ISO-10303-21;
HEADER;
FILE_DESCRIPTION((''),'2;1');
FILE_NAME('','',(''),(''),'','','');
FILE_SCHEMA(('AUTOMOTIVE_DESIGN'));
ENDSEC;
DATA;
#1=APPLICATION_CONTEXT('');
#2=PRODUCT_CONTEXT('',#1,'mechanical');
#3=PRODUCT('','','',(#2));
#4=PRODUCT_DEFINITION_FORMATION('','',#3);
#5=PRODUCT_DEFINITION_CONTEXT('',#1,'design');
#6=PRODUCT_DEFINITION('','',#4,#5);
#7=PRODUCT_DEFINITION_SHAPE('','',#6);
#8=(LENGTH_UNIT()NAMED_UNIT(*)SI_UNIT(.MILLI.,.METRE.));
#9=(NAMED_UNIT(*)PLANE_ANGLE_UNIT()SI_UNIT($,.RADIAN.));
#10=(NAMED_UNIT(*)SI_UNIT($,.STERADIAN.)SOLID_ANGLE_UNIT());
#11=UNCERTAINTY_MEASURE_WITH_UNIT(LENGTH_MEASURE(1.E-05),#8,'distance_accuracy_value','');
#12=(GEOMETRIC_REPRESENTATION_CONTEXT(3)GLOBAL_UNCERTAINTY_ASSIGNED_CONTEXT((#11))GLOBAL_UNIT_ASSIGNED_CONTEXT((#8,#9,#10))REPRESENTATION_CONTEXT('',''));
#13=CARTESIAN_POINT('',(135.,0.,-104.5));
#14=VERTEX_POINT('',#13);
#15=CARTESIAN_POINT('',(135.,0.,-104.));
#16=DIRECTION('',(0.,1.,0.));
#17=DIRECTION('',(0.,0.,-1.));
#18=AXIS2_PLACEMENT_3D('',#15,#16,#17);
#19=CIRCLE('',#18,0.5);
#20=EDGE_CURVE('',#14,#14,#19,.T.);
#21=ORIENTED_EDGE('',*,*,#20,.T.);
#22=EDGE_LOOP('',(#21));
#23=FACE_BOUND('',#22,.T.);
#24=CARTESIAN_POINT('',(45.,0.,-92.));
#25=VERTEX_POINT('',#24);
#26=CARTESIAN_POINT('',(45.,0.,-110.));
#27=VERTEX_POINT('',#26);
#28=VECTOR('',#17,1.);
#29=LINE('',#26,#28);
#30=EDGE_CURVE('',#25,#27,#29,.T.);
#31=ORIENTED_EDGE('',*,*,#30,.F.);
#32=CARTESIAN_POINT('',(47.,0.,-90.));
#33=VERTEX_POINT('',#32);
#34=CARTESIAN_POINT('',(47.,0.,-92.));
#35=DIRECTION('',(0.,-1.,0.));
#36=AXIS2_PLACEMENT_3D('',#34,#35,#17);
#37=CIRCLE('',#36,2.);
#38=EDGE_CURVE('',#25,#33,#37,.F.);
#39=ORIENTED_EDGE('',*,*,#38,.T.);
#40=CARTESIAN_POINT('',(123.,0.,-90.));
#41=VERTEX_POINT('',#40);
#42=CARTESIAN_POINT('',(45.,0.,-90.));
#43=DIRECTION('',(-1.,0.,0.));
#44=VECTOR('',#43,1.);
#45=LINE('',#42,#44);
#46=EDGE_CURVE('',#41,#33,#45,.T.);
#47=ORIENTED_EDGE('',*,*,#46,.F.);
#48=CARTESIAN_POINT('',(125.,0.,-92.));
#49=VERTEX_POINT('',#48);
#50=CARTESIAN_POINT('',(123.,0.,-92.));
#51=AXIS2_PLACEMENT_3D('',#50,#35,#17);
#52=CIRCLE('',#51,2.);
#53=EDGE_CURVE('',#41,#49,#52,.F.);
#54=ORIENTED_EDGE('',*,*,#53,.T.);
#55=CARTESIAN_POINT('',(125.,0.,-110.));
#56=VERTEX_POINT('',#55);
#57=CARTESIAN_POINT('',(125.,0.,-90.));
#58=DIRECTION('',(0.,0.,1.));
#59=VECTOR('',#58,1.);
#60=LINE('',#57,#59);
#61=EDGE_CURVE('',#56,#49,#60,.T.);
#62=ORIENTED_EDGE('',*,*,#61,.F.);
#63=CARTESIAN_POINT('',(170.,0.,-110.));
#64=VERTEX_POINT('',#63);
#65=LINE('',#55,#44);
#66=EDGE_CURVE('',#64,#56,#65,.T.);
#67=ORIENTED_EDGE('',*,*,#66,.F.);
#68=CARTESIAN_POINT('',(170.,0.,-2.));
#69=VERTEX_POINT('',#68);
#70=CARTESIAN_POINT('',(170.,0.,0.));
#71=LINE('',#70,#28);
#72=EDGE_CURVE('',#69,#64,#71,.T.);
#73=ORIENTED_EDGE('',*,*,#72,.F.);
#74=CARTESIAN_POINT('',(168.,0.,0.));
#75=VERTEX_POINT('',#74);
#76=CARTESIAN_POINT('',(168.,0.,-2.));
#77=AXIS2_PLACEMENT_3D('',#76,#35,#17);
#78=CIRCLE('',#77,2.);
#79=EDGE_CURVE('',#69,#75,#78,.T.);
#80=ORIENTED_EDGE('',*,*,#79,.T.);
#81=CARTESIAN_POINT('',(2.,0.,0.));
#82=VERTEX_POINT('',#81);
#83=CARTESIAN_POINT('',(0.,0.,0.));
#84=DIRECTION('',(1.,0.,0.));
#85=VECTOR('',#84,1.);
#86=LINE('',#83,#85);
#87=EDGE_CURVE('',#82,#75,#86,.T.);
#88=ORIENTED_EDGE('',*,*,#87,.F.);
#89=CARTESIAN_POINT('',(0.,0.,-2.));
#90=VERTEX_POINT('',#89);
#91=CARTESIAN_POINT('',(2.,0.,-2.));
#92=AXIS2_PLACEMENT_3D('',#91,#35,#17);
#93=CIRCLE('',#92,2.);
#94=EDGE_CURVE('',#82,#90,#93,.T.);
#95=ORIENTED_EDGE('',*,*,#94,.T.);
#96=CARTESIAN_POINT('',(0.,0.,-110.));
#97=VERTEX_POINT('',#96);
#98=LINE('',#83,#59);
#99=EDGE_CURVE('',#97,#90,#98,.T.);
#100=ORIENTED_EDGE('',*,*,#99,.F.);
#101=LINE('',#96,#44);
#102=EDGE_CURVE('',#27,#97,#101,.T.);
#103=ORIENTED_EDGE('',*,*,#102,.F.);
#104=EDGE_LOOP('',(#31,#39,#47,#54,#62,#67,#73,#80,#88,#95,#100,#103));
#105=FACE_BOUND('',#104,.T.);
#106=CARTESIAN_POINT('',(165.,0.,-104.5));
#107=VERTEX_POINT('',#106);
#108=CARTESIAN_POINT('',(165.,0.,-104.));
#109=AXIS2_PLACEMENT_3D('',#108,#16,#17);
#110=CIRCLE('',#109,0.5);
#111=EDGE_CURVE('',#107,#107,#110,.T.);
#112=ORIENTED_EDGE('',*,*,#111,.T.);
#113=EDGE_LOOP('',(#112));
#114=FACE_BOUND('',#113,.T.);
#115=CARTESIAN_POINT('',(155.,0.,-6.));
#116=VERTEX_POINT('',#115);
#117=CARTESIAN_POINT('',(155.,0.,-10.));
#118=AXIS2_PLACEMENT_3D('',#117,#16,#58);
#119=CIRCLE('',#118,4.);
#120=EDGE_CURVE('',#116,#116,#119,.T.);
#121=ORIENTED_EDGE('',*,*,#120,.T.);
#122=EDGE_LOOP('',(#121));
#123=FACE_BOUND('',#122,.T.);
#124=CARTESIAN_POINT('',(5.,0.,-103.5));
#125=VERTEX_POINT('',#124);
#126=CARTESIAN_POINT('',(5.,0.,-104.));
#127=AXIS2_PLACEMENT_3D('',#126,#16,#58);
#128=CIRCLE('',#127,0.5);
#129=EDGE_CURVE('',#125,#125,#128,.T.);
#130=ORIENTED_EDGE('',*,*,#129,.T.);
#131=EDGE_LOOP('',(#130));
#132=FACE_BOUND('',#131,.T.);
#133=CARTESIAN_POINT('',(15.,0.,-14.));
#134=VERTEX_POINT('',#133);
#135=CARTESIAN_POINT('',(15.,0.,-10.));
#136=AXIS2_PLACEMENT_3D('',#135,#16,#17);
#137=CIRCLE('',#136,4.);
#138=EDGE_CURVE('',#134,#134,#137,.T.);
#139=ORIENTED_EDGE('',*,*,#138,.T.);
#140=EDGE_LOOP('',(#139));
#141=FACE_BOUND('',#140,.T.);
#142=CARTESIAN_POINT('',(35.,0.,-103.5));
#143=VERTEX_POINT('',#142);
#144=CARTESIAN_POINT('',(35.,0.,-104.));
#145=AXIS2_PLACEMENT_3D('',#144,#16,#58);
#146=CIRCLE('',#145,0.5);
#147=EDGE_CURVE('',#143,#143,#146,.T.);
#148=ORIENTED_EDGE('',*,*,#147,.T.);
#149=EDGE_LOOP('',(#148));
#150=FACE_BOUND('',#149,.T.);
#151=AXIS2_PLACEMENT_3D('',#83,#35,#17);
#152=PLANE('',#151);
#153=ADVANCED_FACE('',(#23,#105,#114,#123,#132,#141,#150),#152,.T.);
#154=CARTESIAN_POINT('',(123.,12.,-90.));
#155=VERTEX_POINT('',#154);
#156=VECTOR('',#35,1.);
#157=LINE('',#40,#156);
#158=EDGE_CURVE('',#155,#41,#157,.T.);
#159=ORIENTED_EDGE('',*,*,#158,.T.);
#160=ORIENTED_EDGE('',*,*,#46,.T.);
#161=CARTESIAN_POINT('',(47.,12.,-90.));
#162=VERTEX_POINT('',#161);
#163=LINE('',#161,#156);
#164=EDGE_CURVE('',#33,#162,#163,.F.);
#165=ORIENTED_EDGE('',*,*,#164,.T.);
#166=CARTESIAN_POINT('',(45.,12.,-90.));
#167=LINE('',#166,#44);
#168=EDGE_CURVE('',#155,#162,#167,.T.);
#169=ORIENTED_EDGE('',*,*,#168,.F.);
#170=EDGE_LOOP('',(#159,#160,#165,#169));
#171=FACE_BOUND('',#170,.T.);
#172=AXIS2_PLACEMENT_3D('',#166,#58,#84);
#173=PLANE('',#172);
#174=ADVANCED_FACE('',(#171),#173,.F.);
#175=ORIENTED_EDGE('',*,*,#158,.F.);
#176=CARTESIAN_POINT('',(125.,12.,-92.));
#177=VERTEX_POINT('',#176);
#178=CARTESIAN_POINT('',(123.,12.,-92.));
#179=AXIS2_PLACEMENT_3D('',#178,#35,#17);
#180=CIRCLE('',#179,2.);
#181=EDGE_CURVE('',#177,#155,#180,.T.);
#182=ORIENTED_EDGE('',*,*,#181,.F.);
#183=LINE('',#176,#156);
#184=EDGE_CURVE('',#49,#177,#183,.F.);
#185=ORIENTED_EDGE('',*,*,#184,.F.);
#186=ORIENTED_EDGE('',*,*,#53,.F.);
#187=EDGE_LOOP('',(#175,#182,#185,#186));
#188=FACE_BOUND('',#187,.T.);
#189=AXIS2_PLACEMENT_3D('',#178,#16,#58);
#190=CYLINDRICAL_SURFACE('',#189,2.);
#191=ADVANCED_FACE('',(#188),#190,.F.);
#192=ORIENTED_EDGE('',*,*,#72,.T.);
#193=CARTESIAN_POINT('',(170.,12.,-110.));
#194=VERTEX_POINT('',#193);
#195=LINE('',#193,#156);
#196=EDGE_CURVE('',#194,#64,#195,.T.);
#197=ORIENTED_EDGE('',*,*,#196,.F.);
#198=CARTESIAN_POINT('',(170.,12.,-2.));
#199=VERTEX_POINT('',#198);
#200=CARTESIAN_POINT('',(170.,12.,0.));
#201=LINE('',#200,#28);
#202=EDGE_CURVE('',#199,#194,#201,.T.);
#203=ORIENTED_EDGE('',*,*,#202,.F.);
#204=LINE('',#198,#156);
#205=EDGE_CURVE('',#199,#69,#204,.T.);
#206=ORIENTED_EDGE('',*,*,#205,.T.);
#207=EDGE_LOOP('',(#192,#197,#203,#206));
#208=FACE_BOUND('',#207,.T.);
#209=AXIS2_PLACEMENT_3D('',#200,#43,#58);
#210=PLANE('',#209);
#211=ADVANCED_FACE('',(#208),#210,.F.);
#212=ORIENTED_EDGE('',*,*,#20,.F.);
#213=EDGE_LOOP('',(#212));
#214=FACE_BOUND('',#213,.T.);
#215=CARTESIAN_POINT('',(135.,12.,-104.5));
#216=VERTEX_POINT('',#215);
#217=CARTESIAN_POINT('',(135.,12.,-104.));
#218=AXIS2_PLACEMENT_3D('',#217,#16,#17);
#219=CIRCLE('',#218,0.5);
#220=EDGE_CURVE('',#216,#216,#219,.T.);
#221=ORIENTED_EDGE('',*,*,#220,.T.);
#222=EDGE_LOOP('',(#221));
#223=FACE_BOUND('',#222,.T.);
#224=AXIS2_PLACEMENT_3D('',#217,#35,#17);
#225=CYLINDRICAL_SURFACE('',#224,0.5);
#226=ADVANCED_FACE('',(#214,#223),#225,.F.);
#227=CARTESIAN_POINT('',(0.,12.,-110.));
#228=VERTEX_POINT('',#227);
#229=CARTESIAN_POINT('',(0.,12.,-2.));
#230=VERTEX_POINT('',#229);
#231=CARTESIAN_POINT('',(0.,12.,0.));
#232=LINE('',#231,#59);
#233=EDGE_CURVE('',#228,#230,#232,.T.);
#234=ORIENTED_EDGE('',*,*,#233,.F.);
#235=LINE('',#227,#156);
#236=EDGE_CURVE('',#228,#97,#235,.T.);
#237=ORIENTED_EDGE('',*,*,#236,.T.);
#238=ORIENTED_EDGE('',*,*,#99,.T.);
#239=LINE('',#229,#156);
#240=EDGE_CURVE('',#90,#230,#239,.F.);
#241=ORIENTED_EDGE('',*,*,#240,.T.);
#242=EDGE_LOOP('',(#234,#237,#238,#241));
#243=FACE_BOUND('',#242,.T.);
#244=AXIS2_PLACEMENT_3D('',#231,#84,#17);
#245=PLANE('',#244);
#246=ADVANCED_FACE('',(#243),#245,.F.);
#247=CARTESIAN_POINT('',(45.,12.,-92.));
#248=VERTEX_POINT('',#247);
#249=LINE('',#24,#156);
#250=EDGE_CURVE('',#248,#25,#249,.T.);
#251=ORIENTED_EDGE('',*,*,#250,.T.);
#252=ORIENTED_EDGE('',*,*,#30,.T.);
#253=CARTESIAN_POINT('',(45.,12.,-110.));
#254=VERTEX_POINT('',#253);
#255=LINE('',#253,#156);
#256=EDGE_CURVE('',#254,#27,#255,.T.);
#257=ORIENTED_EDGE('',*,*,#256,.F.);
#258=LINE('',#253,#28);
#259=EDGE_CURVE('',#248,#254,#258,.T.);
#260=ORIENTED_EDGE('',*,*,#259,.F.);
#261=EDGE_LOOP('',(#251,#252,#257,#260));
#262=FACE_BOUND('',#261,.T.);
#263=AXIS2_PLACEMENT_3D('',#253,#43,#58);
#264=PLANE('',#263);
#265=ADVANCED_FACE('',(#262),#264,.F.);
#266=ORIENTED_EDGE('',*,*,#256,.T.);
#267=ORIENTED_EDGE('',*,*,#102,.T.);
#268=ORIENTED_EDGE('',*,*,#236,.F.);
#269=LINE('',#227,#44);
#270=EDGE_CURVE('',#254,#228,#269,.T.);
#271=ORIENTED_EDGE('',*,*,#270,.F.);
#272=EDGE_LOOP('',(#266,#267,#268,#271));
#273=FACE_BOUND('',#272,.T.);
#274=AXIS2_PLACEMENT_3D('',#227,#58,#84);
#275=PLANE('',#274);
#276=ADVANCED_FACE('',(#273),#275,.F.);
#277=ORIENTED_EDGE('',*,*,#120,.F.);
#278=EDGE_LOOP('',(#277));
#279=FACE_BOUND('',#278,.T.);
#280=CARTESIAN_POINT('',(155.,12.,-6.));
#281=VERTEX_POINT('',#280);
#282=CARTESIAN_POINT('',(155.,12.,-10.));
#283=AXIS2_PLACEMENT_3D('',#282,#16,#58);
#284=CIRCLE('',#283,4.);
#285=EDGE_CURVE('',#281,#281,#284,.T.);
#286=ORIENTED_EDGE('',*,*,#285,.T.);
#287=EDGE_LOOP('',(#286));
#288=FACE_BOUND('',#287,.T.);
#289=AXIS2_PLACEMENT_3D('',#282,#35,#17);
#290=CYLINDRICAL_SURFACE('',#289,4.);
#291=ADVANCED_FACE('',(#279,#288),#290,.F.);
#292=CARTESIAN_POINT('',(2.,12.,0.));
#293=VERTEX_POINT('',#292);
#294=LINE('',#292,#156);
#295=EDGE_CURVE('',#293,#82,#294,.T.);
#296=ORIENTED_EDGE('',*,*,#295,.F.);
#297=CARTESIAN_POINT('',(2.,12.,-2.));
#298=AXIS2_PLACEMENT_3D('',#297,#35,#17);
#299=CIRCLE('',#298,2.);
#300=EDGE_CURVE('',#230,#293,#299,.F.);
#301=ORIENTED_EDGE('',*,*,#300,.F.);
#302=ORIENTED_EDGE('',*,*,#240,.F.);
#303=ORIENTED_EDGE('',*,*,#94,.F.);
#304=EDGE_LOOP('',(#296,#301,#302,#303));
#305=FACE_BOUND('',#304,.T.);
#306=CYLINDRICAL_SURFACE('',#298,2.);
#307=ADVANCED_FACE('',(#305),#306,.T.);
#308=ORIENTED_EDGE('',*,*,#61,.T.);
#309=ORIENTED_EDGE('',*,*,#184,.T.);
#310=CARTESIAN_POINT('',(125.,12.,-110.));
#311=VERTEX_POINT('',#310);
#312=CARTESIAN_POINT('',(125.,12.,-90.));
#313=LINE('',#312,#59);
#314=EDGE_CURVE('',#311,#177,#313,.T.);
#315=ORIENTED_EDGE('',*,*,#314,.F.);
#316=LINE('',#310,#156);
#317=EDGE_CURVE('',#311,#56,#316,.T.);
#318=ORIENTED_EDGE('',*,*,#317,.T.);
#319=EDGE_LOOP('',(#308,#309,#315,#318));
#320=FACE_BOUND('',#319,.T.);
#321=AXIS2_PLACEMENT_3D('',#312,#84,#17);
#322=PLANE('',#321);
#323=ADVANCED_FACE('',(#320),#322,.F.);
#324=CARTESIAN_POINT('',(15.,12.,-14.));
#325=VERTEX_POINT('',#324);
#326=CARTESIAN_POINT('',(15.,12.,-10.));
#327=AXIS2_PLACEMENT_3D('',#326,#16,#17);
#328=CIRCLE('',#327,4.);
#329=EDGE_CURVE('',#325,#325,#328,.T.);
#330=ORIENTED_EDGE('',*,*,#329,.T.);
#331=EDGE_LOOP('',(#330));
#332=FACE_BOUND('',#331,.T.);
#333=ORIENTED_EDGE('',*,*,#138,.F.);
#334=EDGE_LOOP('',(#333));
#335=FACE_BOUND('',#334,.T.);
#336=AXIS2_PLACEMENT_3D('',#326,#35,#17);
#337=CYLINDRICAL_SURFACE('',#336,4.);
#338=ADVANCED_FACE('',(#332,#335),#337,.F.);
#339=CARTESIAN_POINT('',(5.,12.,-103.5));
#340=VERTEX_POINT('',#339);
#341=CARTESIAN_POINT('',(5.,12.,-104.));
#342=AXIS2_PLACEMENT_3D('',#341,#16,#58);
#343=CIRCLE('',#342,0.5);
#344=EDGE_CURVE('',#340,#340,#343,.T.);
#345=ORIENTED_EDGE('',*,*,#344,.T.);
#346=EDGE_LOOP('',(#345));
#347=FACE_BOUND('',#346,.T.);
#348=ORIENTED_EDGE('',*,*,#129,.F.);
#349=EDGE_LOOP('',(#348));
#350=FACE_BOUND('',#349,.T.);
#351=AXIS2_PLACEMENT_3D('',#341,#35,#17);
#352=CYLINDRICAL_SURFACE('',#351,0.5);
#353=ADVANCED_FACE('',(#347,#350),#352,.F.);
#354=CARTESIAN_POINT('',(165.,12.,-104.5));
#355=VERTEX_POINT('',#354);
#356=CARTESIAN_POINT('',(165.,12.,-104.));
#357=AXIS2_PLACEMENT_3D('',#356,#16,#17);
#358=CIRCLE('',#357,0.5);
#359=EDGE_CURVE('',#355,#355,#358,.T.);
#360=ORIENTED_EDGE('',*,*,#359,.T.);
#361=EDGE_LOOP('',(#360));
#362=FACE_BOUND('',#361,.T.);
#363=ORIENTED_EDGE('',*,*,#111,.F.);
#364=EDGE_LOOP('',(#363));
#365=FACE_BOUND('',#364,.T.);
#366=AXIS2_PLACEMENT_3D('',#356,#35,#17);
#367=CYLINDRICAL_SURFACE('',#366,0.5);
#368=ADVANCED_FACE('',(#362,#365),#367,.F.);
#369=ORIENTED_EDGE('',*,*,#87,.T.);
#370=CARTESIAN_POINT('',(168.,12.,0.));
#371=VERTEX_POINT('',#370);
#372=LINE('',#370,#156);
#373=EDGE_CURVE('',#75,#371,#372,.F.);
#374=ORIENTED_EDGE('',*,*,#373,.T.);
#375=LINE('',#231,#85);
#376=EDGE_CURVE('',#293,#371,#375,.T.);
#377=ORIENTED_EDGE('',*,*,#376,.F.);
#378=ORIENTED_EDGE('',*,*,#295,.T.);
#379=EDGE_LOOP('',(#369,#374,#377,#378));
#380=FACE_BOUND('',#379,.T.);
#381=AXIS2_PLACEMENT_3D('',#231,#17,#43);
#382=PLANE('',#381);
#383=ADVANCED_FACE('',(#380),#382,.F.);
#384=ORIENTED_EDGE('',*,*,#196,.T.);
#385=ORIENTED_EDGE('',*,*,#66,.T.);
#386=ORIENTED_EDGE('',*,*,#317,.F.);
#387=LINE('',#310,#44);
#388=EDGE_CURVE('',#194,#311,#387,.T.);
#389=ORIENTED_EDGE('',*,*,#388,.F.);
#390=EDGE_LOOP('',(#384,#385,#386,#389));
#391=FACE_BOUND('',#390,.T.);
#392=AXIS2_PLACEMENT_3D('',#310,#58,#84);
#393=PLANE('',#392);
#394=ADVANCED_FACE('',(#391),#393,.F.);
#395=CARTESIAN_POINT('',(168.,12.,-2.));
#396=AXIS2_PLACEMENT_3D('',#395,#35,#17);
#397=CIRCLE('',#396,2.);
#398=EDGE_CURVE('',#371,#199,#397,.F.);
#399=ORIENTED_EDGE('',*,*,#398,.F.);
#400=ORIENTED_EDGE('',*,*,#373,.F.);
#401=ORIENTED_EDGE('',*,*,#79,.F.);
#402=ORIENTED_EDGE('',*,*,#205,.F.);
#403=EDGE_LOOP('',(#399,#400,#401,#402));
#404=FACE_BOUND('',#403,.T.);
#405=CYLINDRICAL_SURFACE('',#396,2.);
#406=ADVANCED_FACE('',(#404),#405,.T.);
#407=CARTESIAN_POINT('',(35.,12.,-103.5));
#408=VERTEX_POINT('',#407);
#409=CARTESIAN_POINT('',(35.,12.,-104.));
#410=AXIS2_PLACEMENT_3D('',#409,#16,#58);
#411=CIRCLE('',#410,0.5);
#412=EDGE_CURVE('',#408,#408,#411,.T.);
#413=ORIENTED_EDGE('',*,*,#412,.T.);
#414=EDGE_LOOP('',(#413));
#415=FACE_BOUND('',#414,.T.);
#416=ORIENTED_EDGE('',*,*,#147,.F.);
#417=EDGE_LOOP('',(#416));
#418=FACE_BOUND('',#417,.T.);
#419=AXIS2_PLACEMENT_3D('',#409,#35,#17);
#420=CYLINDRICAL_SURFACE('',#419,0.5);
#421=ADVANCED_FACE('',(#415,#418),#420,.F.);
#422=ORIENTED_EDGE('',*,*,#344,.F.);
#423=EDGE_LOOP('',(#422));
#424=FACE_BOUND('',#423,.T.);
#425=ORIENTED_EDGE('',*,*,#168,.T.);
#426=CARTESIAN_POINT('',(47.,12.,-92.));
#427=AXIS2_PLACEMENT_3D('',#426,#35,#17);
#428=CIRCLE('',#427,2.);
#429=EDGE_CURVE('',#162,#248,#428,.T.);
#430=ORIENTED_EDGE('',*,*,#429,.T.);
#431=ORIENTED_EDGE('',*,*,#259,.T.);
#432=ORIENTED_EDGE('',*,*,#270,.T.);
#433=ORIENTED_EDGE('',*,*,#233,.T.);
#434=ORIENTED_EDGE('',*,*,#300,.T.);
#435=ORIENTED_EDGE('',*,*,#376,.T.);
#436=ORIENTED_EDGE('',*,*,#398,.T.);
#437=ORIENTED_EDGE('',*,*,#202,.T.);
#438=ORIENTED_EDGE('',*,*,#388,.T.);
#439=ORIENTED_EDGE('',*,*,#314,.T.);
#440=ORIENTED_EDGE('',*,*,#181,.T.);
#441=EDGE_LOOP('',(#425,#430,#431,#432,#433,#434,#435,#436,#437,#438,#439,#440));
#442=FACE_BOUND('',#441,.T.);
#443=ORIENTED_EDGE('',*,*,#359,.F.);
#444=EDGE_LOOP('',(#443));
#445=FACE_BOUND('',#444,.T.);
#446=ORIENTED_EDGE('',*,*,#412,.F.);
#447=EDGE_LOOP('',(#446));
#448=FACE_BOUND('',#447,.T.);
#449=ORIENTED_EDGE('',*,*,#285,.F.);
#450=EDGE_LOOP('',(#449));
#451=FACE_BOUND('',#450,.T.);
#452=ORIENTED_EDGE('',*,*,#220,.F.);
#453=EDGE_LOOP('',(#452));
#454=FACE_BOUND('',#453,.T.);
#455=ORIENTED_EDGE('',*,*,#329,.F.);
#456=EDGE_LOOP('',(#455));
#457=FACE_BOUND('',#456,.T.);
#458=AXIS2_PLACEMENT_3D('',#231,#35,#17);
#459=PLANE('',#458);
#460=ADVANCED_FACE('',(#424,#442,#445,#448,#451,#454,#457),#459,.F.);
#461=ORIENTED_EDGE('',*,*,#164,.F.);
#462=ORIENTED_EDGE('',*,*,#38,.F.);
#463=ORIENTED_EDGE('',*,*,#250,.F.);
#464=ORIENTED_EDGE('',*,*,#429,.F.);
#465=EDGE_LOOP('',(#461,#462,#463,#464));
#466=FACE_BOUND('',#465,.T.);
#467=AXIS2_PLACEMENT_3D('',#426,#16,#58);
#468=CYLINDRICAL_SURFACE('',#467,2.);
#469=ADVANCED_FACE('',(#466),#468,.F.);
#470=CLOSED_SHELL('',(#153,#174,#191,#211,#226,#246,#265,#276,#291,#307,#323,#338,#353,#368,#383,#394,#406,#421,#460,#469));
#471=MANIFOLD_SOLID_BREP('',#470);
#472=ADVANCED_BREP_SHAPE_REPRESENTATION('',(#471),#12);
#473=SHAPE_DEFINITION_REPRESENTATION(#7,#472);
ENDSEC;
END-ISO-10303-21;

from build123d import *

# Parameters (mm, degrees)
SKETCH1_R           = 4
SKETCH1_R_2         = 0.5
BOSS_EXTRUDE1_DEPTH = 12
FILLET1_R           = 2


with BuildPart() as part:
    # Sketch1 → Boss-Extrude1 (new body)
    with BuildSketch(Plane(origin=(0, 0, 0), x_dir=(1, 0, 0), z_dir=(0, 1, 0))):
        Polygon((0, 0), (170, 0), (170, 110), (125, 110), (125, 90), (45, 90), (45, 110), (0, 110), align=None)
        with Locations(Location((155, 10, 0), (0, 0, 270))):
            Circle(SKETCH1_R, mode=Mode.SUBTRACT)
        with Locations(Location((15, 10, 0), (0, 0, 90))):
            Circle(SKETCH1_R, mode=Mode.SUBTRACT)
        with Locations(Location((5, 104, 0), (0, 0, 270))):
            Circle(SKETCH1_R_2, mode=Mode.SUBTRACT)
        with Locations(Location((35, 104, 0), (0, 0, 270))):
            Circle(SKETCH1_R_2, mode=Mode.SUBTRACT)
        with Locations(Location((165, 104, 0), (0, 0, 90))):
            Circle(SKETCH1_R_2, mode=Mode.SUBTRACT)
        with Locations(Location((135, 104, 0), (0, 0, 90))):
            Circle(SKETCH1_R_2, mode=Mode.SUBTRACT)
    extrude(amount=BOSS_EXTRUDE1_DEPTH)

    # Fillet1
    fillet1_edges = [part.edges().sort_by_distance(p)[0] for p in [
        (45, 6, -90),
        (125, 6, -90),
        (170, 6, 0),
        (0, 6, 0),
    ]]
    fillet(fillet1_edges, radius=FILLET1_R)


solid = part.part
